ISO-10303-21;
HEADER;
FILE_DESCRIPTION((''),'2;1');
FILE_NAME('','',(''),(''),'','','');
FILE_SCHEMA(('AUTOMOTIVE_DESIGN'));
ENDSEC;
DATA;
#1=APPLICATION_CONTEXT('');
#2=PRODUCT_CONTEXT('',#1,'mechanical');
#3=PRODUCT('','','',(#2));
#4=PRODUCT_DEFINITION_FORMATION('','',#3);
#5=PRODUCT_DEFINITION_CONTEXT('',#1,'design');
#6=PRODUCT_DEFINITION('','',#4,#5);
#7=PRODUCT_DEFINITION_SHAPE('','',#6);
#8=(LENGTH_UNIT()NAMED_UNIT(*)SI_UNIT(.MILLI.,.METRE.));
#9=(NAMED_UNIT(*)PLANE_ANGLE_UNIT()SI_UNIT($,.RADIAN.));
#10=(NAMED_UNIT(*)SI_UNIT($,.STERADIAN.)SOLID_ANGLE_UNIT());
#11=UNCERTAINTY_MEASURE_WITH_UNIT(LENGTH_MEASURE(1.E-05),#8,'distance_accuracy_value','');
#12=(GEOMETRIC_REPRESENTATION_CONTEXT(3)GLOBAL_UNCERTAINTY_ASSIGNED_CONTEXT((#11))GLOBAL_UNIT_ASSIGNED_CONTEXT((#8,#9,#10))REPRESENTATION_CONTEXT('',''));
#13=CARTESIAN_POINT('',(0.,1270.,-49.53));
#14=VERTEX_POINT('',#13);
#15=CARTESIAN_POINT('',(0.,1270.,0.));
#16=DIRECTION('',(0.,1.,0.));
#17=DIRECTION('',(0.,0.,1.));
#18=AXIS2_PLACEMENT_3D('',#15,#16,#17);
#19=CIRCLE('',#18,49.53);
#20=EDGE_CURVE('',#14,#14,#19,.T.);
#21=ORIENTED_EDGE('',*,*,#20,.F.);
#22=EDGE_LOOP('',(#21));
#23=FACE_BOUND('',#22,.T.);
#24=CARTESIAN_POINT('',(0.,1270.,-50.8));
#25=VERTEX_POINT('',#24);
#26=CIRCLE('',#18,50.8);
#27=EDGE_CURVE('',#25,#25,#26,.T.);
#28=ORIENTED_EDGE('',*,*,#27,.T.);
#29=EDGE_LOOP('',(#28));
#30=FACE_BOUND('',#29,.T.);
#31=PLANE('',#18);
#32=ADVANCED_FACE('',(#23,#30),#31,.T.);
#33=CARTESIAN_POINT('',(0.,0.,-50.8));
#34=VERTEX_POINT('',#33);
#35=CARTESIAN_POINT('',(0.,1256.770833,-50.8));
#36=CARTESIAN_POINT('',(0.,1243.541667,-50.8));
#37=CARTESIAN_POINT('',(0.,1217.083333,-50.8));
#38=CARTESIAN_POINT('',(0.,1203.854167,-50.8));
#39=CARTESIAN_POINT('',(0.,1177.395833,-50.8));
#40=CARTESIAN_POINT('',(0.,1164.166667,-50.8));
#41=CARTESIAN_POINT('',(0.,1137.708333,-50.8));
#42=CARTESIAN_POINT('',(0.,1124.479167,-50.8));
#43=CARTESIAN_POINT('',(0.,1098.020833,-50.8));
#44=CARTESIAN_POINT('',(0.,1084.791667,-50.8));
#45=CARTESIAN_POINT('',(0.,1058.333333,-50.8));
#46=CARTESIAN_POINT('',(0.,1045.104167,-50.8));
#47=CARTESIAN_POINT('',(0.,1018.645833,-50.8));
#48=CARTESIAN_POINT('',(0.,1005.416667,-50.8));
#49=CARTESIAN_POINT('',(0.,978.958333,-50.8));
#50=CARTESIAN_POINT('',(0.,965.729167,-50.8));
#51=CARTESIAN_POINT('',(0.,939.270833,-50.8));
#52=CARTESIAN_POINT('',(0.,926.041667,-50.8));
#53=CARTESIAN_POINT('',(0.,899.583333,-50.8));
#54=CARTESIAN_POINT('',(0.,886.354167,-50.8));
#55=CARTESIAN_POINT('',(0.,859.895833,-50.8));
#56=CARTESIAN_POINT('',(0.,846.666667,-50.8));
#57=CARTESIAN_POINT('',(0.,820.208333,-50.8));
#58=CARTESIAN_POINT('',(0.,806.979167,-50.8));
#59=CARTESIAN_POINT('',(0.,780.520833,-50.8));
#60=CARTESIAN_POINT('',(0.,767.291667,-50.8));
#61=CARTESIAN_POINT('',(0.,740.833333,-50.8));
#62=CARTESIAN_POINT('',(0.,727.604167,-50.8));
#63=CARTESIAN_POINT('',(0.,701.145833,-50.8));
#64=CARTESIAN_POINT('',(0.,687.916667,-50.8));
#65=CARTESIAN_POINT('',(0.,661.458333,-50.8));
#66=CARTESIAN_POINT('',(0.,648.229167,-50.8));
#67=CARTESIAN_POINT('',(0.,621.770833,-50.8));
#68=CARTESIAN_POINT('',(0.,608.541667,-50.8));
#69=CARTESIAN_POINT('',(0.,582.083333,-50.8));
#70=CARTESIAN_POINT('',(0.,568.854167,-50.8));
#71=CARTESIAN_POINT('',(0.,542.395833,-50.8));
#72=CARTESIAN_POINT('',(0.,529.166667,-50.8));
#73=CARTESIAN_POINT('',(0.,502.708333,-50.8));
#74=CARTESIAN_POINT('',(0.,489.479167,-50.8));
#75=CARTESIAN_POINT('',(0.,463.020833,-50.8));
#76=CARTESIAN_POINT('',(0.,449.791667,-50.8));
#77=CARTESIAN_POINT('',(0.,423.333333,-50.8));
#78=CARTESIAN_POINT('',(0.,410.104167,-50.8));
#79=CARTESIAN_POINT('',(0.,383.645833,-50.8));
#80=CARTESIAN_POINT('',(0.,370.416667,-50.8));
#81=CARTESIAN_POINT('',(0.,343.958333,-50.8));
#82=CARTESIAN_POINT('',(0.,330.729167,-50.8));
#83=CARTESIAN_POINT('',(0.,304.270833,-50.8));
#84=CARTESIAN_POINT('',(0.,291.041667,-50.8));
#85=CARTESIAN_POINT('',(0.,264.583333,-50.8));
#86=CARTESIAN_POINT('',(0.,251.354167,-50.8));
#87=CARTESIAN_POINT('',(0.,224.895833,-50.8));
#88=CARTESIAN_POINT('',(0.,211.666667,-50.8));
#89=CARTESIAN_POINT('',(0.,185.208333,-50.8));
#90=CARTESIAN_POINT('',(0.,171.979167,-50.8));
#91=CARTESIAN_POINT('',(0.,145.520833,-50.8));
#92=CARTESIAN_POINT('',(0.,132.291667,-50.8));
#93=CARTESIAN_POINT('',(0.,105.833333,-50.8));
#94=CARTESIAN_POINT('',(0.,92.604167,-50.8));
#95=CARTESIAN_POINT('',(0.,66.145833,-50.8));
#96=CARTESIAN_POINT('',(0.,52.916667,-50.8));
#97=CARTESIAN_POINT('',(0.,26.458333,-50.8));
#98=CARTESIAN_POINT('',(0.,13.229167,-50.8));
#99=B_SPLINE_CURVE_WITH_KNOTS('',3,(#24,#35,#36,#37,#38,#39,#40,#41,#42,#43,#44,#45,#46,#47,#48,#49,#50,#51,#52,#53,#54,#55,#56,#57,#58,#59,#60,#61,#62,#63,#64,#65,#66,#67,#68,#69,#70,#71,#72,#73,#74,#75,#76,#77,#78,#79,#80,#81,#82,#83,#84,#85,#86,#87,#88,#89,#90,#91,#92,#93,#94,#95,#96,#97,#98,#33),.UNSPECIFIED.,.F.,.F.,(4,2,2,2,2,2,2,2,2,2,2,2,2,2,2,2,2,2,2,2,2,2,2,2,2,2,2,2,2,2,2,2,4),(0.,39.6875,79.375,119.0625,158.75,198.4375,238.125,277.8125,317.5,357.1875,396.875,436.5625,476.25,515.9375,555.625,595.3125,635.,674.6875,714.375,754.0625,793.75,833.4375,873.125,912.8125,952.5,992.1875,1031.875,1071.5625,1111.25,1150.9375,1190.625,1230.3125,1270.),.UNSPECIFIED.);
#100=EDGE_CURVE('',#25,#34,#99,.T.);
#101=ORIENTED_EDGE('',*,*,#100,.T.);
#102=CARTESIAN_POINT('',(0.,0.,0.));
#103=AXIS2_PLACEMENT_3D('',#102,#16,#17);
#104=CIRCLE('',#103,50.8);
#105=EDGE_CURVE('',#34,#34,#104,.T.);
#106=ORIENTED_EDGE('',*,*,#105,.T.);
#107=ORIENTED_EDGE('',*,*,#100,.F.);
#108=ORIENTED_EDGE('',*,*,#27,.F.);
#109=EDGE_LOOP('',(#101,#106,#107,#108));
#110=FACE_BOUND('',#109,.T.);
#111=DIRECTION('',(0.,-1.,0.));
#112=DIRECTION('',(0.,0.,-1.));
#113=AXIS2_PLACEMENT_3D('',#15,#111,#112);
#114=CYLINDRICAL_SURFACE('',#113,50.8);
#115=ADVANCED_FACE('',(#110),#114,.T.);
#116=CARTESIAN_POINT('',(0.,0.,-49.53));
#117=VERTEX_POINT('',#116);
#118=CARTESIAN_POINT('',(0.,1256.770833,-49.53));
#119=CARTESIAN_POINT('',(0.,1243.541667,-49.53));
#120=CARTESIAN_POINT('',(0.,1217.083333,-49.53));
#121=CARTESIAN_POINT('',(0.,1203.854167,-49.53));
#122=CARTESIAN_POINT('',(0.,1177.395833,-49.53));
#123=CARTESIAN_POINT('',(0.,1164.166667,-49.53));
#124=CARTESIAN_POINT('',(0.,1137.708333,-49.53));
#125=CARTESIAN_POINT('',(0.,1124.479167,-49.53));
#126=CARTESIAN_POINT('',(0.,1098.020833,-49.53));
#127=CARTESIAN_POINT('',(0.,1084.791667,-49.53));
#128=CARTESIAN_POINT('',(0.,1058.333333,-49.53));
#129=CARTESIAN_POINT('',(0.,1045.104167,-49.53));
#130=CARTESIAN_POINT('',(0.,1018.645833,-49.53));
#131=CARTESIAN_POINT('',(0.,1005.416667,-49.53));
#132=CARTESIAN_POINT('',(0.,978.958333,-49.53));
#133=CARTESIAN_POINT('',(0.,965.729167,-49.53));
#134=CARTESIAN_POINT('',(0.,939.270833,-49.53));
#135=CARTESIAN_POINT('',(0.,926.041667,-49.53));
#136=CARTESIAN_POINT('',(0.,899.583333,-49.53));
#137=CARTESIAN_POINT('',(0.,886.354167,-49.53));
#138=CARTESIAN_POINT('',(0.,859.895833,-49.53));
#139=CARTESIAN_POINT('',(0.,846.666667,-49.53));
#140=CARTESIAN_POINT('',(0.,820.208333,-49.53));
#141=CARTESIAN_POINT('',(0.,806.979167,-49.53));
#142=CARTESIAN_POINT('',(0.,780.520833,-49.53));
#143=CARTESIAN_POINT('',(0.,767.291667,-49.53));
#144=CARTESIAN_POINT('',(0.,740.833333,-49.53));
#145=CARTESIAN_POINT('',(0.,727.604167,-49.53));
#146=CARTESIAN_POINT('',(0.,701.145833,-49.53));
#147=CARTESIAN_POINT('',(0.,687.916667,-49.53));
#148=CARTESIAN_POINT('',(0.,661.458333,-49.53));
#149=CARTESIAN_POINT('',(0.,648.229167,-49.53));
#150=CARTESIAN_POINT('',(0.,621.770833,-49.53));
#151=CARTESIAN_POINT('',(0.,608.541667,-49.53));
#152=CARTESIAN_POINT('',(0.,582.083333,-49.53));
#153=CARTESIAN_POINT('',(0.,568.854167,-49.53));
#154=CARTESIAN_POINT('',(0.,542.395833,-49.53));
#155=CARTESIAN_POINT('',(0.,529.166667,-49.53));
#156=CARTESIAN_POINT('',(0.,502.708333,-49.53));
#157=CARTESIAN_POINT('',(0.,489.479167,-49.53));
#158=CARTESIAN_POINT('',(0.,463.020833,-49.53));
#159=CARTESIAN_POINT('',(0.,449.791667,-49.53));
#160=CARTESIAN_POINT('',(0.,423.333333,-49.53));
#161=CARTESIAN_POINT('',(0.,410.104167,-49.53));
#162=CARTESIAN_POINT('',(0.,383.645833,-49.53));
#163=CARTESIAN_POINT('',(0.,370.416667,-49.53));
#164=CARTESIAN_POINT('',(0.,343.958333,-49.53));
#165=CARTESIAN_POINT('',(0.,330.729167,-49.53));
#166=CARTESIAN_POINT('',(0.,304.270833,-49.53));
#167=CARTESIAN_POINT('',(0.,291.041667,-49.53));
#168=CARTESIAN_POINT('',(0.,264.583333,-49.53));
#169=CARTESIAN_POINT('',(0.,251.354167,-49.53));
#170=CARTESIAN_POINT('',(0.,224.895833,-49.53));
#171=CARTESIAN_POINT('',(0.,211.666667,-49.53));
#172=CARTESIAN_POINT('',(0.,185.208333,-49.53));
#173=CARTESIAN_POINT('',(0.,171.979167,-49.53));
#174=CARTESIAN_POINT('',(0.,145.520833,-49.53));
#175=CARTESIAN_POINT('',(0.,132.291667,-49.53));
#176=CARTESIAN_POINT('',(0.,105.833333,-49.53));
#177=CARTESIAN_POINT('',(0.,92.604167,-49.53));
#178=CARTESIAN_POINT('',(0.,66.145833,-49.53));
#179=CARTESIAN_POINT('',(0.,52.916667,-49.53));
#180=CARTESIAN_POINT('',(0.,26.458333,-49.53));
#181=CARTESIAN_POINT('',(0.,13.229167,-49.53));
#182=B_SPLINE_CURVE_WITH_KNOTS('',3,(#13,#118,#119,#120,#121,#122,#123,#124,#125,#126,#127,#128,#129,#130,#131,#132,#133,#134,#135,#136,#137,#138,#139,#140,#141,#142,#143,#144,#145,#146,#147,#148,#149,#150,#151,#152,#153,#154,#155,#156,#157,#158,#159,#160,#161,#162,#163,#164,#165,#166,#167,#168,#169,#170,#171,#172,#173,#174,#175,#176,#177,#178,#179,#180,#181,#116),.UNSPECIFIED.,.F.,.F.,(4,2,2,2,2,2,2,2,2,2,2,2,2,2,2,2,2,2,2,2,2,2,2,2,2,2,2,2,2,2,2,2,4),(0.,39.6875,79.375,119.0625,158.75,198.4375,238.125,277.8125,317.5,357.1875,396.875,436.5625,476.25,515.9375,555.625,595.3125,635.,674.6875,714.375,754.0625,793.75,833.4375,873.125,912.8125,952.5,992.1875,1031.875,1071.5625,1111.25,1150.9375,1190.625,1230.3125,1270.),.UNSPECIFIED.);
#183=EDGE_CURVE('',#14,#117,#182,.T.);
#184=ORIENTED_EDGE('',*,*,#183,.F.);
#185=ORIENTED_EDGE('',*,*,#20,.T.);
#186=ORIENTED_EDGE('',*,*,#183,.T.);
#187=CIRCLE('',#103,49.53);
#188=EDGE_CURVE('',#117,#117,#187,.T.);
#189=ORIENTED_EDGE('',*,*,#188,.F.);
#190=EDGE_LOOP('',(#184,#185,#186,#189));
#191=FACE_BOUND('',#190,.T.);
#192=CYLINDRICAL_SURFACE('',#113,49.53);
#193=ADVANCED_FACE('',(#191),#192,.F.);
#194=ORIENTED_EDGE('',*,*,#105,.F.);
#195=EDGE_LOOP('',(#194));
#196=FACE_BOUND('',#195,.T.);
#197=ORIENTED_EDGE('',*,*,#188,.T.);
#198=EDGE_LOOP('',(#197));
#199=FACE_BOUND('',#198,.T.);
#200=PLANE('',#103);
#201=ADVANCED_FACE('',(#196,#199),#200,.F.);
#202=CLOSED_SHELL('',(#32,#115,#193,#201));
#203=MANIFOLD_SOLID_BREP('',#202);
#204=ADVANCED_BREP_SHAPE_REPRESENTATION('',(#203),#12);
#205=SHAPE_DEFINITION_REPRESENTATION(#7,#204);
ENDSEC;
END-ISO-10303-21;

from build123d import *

# Parameters (mm, degrees)
SKETCH1_R           = 50.8
SKETCH1_R_2         = 49.53
BOSS_EXTRUDE1_DEPTH = 1270


with BuildPart() as part:
    # Sketch1 → Boss-Extrude1 (new body)
    with BuildSketch(Plane(origin=(0, 0, 0), x_dir=(1, 0, 0), z_dir=(0, 1, 0))):
        with Locations(Location((0, 0, 0), (0, 0, 90))):
            Circle(SKETCH1_R)
        with Locations(Location((0, 0, 0), (0, 0, 90))):
            Circle(SKETCH1_R_2, mode=Mode.SUBTRACT)
    extrude(amount=BOSS_EXTRUDE1_DEPTH)


solid = part.part
